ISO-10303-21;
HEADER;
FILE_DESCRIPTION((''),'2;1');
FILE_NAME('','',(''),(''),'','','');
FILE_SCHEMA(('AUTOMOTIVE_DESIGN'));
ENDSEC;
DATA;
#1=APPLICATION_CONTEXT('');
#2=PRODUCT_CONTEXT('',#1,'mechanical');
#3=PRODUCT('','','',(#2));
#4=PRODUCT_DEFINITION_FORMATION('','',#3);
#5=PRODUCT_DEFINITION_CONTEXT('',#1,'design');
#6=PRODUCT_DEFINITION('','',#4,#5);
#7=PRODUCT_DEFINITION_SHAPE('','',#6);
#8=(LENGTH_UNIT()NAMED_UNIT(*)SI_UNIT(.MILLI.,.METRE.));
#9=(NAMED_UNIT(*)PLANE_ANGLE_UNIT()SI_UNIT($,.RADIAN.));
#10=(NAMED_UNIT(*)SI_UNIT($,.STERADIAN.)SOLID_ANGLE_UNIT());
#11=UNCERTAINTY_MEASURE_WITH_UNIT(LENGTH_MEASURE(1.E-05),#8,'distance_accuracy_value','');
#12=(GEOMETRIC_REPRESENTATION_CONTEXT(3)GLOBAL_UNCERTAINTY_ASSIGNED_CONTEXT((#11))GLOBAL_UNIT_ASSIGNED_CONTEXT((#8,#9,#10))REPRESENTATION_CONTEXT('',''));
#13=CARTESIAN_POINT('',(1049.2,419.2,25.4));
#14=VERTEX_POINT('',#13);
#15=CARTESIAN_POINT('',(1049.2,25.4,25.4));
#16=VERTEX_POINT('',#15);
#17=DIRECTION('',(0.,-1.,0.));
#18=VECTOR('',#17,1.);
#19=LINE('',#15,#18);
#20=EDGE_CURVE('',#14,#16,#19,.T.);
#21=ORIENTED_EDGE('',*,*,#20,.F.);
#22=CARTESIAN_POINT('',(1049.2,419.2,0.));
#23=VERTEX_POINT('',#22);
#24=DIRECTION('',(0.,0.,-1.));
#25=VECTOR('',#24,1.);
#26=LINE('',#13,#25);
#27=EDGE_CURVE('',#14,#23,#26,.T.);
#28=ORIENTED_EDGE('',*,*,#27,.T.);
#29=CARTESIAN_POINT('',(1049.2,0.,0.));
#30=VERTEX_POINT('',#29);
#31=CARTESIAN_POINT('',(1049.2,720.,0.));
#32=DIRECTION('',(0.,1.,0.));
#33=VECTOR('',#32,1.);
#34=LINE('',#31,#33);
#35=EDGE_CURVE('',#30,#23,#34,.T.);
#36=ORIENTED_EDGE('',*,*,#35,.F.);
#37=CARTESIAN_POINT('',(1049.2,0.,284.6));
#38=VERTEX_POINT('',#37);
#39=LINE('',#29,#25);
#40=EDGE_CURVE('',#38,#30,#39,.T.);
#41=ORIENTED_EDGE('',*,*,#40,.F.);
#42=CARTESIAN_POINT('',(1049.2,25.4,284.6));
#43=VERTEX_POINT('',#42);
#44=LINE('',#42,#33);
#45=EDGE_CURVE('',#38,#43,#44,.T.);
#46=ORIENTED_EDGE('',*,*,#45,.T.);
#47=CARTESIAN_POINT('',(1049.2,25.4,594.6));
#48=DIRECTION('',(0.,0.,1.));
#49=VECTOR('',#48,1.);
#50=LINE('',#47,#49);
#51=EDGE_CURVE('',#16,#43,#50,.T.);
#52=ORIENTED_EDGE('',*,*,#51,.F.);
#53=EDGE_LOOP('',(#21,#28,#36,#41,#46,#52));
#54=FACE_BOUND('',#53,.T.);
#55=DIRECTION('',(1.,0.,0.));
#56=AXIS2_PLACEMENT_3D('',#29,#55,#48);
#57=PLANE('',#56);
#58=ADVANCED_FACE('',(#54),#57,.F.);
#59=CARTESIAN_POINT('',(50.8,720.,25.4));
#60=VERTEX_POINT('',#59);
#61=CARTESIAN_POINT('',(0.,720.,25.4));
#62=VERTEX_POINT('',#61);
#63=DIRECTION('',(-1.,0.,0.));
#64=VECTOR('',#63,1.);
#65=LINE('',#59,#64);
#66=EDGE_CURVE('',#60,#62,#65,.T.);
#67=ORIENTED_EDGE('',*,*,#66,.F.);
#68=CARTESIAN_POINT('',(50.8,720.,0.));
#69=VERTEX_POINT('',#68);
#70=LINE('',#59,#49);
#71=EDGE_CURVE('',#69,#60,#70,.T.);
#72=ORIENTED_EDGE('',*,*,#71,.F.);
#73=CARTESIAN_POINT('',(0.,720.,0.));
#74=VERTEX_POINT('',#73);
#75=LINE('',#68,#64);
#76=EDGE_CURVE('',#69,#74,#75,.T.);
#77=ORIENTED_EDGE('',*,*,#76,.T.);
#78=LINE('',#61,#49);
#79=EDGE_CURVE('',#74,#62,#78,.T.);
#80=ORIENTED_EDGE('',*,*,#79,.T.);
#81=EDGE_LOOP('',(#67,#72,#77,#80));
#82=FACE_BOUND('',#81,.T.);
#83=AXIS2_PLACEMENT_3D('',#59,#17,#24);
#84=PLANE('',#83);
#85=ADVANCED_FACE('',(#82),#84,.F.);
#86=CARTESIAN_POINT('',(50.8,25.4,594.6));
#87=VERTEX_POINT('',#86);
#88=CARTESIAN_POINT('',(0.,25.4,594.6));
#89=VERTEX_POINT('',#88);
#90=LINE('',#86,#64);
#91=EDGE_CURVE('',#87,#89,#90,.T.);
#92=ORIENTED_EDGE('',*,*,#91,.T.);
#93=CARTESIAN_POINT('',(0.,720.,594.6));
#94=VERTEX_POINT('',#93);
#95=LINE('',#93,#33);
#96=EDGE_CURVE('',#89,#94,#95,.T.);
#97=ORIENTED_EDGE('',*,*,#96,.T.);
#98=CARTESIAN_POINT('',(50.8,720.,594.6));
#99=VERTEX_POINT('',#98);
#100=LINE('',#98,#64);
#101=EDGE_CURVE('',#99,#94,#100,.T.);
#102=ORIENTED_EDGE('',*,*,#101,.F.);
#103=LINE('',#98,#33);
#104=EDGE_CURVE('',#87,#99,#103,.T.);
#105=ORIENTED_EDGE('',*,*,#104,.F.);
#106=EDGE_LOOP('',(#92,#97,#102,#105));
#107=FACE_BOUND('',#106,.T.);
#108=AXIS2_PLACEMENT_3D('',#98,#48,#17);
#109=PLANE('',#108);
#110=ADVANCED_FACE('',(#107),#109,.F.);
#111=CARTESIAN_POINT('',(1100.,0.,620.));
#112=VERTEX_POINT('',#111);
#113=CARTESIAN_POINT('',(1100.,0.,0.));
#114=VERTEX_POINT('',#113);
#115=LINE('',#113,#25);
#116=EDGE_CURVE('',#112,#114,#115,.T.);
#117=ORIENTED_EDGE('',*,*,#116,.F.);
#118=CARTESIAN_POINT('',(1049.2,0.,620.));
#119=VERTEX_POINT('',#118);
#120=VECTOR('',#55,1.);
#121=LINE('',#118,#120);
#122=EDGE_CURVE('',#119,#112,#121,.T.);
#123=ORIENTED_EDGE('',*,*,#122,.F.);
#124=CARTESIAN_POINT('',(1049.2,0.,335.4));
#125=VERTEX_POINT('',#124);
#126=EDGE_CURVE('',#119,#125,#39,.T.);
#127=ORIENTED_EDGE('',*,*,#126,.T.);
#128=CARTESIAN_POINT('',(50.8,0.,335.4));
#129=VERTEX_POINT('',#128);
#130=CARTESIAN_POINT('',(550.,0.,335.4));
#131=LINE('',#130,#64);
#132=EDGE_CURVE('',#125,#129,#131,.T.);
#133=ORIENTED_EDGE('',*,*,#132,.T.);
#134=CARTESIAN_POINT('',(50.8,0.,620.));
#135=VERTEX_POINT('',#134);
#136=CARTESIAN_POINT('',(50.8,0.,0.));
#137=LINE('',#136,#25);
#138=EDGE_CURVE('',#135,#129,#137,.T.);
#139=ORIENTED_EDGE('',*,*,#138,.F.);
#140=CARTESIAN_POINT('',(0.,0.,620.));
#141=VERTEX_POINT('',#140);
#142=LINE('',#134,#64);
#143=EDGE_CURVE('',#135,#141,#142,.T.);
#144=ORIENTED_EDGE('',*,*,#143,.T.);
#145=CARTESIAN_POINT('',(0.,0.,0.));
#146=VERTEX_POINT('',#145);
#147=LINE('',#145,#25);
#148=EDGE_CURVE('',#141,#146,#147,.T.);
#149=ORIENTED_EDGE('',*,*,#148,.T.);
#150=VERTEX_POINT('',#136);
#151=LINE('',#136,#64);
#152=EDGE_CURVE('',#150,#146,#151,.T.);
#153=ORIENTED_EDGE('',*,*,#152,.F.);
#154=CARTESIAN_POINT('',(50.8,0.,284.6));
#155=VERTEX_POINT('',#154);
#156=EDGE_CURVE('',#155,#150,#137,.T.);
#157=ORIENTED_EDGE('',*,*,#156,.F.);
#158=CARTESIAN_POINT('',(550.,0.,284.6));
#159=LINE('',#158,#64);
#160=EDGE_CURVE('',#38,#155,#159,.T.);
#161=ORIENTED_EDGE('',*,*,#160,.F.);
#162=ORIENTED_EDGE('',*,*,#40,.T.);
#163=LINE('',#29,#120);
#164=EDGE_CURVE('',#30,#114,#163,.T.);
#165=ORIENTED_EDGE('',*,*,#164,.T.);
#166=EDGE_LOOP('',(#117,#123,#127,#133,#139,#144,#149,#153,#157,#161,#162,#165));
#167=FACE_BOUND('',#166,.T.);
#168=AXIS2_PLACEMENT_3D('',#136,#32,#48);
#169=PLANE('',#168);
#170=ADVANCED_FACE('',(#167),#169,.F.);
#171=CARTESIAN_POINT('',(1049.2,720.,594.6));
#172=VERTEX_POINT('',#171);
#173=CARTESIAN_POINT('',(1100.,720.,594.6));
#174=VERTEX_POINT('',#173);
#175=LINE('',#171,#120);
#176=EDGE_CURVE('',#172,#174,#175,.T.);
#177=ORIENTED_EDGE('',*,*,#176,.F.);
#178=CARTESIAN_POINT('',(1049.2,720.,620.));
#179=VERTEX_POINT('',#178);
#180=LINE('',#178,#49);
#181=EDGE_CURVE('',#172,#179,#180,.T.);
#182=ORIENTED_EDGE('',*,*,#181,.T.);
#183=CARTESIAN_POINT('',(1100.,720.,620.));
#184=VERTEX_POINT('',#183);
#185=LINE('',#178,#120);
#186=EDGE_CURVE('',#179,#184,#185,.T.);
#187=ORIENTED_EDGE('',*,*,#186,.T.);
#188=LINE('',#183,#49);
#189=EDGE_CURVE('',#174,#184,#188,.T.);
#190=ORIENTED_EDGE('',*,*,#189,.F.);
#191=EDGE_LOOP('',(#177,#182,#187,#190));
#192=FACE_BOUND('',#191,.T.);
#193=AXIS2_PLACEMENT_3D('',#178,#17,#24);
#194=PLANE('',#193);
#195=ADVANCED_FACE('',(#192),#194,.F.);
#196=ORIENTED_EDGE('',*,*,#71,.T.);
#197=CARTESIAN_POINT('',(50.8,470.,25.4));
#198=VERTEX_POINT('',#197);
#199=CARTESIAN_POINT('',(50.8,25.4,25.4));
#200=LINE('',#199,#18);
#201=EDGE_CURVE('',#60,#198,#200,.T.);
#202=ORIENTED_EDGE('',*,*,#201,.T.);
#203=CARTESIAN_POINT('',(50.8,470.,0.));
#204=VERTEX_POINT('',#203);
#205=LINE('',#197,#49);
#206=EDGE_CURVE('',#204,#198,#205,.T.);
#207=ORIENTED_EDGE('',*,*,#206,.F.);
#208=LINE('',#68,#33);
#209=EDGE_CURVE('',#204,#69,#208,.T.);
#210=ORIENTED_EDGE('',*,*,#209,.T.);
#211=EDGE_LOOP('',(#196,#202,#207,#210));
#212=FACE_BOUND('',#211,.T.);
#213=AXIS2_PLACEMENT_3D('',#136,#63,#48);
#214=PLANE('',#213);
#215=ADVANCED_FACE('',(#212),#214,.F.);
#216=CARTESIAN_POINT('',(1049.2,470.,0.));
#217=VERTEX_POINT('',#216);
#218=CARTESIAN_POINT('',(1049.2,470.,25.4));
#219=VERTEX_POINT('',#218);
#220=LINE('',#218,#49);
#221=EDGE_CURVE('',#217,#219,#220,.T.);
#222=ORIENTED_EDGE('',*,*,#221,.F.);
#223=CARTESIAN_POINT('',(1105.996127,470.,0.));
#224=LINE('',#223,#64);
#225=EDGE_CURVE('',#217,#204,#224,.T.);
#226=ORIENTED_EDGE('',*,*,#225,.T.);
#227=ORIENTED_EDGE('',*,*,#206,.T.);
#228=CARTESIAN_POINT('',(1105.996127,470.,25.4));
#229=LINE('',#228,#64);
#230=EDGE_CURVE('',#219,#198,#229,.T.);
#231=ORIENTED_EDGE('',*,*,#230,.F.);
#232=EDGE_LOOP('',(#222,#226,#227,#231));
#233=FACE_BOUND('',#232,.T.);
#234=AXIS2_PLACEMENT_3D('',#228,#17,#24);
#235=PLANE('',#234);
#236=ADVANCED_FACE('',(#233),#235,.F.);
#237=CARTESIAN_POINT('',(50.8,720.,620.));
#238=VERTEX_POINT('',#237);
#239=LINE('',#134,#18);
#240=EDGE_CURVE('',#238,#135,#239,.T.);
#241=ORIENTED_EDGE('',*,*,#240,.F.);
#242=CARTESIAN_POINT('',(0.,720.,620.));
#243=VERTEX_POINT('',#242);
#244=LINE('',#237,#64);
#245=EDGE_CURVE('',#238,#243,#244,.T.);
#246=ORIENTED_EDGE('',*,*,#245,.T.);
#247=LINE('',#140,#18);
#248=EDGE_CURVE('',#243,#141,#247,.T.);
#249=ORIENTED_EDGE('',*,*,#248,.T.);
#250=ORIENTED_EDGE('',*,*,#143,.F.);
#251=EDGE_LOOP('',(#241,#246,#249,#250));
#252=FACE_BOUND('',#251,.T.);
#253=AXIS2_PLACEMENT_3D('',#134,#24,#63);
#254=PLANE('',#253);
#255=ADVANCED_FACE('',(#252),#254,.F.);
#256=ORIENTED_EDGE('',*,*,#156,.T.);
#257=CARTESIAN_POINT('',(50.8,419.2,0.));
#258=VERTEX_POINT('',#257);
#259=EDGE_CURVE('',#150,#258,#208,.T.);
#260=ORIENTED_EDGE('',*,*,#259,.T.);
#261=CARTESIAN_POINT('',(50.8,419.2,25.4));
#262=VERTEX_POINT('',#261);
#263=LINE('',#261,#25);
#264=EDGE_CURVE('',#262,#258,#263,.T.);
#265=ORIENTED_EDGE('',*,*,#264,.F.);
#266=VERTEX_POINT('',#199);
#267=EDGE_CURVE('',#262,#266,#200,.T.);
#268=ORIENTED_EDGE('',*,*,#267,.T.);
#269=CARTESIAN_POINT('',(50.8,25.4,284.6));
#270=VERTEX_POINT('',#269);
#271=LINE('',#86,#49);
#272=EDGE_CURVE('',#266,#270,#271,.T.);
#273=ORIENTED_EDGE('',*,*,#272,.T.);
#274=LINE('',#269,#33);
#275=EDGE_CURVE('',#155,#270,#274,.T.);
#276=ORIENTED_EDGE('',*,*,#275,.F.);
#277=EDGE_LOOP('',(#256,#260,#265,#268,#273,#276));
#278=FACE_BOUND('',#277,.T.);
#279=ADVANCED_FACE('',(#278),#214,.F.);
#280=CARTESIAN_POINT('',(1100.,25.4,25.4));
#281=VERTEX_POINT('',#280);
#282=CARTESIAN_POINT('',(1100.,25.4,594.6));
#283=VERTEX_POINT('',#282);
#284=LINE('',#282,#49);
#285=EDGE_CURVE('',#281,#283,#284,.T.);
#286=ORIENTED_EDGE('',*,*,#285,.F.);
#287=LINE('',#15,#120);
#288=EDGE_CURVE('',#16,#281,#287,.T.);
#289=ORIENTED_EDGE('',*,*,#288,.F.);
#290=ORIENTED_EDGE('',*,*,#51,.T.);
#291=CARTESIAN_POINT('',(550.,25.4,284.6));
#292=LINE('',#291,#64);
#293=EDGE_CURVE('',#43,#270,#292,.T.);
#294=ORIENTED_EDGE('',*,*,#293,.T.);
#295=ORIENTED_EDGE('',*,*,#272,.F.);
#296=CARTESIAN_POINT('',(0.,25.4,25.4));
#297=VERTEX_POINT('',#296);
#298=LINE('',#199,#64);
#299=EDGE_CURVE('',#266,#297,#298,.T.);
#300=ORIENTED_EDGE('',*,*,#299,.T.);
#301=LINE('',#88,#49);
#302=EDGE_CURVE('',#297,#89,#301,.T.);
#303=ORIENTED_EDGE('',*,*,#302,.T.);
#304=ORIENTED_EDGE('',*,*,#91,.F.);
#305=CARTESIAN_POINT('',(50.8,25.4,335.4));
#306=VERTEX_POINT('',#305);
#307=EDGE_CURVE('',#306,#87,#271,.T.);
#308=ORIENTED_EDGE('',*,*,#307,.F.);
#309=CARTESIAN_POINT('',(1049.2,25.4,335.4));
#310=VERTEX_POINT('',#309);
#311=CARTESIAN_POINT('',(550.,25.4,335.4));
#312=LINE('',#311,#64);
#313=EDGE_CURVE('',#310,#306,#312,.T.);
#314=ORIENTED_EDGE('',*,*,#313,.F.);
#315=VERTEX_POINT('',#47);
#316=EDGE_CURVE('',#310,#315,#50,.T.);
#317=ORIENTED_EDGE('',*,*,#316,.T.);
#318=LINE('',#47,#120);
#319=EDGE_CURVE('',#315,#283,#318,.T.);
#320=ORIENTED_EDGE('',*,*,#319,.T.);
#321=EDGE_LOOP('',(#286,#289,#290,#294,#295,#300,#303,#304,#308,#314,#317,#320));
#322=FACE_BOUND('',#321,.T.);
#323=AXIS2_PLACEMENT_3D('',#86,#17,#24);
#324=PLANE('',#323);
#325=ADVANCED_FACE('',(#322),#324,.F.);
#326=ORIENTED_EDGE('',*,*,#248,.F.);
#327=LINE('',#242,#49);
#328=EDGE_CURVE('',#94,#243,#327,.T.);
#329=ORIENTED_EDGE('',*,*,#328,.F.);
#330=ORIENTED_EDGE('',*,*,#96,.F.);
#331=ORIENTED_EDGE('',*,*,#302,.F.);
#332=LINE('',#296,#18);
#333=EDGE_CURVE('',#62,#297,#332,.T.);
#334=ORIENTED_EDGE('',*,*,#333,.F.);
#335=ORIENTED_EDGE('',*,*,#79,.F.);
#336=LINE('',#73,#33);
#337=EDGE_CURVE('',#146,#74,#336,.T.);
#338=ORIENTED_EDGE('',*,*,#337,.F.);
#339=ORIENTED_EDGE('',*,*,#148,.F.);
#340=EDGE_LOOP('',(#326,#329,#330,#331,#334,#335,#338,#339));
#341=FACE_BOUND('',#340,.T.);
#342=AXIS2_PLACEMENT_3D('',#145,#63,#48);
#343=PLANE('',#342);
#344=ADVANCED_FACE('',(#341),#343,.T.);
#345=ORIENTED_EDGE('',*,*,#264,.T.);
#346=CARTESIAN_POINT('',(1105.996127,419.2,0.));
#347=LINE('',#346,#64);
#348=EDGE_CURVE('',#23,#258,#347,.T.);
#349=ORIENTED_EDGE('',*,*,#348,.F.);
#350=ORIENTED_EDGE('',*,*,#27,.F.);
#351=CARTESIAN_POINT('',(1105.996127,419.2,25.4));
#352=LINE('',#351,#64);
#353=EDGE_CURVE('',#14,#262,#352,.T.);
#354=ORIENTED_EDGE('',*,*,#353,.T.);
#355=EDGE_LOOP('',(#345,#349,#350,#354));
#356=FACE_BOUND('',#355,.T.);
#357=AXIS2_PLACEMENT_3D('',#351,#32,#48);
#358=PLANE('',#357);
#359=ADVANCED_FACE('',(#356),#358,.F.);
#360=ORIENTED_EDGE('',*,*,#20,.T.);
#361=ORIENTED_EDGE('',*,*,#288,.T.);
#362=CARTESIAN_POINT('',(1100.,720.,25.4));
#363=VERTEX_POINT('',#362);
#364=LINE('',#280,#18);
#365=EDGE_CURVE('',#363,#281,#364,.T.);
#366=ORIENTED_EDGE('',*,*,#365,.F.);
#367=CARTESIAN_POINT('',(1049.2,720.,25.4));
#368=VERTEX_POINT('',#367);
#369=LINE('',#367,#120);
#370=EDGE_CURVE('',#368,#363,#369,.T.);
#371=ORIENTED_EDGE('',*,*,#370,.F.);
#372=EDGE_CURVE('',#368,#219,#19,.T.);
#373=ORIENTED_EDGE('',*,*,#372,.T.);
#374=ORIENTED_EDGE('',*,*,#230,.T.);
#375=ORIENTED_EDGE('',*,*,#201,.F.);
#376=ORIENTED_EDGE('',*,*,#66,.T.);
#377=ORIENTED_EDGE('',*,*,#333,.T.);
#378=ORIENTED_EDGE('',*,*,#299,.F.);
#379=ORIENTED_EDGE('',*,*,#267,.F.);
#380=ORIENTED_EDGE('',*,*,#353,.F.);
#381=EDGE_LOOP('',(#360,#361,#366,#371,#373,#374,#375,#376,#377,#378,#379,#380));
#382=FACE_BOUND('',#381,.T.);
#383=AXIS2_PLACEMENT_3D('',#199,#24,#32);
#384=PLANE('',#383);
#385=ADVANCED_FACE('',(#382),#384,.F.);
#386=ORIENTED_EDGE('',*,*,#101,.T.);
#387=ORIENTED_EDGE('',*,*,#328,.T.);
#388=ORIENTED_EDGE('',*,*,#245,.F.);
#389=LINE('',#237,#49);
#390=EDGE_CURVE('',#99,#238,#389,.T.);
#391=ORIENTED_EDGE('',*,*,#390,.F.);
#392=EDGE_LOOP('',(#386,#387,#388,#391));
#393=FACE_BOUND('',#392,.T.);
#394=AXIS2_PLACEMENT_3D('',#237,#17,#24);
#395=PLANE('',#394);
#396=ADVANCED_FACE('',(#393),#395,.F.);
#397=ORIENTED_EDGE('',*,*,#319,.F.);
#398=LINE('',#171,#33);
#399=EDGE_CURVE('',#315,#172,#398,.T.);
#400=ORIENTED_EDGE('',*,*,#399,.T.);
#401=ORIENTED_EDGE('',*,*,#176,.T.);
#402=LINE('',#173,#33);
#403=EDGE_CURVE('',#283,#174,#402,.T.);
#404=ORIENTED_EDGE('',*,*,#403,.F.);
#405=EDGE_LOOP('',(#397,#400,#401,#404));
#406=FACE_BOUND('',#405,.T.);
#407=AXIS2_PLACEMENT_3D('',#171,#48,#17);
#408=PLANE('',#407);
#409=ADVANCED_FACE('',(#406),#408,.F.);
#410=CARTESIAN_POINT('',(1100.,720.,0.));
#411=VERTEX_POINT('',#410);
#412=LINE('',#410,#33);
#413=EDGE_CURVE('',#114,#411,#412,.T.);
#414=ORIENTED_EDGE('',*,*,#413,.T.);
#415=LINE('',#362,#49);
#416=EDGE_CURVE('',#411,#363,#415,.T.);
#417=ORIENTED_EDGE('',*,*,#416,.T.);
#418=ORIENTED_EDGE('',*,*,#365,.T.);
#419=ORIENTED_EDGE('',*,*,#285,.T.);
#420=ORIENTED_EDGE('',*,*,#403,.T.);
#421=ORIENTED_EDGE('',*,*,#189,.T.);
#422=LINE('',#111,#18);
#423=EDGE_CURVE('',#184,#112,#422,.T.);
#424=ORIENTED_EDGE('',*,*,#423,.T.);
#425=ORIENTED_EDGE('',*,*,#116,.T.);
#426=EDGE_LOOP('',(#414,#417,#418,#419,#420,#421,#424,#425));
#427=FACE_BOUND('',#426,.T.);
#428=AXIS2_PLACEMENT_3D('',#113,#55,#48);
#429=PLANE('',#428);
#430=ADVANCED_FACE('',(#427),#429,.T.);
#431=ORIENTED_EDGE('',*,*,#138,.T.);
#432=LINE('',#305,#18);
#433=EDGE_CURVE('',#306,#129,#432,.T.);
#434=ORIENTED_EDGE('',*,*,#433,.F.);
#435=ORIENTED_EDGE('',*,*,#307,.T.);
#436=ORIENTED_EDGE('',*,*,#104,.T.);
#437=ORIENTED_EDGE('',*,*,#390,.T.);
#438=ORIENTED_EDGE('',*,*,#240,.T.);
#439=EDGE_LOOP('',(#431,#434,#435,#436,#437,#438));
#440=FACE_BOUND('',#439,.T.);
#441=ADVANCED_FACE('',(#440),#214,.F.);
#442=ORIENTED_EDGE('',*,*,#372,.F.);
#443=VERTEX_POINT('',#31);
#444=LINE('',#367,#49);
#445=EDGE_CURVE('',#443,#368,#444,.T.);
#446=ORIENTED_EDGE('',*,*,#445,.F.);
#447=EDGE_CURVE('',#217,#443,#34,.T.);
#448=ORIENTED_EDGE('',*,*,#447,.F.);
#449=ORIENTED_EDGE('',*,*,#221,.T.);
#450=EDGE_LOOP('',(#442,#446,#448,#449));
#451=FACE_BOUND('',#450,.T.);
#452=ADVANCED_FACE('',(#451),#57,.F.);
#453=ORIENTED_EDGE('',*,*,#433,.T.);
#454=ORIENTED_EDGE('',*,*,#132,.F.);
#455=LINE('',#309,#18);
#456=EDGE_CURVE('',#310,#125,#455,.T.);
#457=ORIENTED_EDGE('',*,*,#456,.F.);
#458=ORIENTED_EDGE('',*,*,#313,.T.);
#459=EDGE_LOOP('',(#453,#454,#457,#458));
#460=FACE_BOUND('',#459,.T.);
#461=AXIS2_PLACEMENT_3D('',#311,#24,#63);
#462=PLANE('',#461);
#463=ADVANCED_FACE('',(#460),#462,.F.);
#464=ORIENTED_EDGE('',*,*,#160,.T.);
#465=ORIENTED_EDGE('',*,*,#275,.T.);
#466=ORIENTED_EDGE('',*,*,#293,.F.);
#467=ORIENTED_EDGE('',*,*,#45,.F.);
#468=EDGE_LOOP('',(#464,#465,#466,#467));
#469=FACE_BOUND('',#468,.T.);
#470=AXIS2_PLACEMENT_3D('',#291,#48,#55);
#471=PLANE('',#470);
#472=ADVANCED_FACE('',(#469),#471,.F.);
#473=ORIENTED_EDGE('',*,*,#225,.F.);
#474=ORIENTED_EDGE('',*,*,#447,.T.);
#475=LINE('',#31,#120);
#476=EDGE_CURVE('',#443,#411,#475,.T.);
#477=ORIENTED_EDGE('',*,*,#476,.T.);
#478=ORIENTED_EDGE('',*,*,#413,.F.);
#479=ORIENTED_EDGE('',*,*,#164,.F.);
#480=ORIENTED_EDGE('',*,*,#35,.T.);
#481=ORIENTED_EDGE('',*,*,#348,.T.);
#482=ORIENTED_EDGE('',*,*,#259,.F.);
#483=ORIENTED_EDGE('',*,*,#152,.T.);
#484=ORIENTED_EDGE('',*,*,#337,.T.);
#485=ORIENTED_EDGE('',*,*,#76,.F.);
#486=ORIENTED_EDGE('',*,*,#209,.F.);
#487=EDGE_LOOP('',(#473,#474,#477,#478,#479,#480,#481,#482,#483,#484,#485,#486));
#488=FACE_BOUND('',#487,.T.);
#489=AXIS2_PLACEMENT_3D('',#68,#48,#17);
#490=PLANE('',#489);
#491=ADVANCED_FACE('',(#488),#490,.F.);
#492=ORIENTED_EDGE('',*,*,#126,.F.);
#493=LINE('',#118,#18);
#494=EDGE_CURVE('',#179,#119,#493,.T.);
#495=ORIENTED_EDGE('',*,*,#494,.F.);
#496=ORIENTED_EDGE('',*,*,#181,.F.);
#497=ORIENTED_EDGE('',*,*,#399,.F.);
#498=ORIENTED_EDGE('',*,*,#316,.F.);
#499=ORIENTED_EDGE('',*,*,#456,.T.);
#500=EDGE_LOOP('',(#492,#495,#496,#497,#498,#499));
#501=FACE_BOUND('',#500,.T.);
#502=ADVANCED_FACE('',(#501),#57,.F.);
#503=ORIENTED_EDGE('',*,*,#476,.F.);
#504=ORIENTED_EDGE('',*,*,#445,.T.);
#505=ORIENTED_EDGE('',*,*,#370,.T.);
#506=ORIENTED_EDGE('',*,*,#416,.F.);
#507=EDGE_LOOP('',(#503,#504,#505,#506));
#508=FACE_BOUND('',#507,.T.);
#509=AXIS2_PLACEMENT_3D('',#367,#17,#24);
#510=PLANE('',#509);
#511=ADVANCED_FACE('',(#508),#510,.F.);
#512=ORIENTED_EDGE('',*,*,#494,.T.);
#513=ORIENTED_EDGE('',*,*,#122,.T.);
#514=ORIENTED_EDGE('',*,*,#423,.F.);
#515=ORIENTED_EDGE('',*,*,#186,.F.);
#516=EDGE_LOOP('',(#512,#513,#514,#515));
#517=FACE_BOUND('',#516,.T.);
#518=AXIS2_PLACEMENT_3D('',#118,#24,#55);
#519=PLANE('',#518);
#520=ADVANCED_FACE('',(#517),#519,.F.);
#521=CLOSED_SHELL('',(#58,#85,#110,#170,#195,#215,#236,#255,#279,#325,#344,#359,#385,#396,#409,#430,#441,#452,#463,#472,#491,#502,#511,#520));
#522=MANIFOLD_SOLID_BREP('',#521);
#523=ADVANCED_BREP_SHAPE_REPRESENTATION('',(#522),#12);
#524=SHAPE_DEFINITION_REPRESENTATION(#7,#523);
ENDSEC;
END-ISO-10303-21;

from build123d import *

# Parameters (mm, degrees)
BOSS_EXTRUDE1_DEPTH = 50.8
SKETCH2_W           = 50.8
SKETCH2_H           = 25.4
BOSS_EXTRUDE2_DEPTH = 499.2
SKETCH3_W           = 25.4
SKETCH3_H           = 50.8
BOSS_EXTRUDE3_DEPTH = 998.4


with BuildPart() as part:
    # Sketch1 → Boss-Extrude1 (new body)
    with BuildSketch(Plane(origin=(0, 0, 0), x_dir=(0, 0, -1), z_dir=(1, 0, 0))):
        Polygon((0, 720), (0, 0), (-620, 0), (-620, 720), (-594.6, 720), (-594.6, 25.4), (-25.4, 25.4), (-25.4, 720), align=None)
    boss_extrude1 = extrude(amount=BOSS_EXTRUDE1_DEPTH)

    # Sketch2 → Boss-Extrude2 (add)
    with BuildSketch(Plane(origin=(50.8, 0, 0), x_dir=(0, 0, -1), z_dir=(1, 0, 0))):
        with Locations((-310, 12.7)):
            Rectangle(SKETCH2_W, SKETCH2_H)
    boss_extrude2 = extrude(amount=BOSS_EXTRUDE2_DEPTH)

    # Mirror1: Boss-Extrude1, Boss-Extrude2 across plane
    add(boss_extrude1.mirror(Plane(origin=(550, 0, 0), x_dir=(0, 0, 1), z_dir=(1, 0, 0))))
    add(boss_extrude2.mirror(Plane(origin=(550, 0, 0), x_dir=(0, 0, 1), z_dir=(1, 0, 0))))

    # Sketch3 → Boss-Extrude3 (add)
    with BuildSketch(Plane(origin=(50.8, 0, 0), x_dir=(0, 0, -1), z_dir=(1, 0, 0))):
        with Locations((-12.7, 444.6)):
            Rectangle(SKETCH3_W, SKETCH3_H)
    extrude(amount=BOSS_EXTRUDE3_DEPTH)


solid = part.part
